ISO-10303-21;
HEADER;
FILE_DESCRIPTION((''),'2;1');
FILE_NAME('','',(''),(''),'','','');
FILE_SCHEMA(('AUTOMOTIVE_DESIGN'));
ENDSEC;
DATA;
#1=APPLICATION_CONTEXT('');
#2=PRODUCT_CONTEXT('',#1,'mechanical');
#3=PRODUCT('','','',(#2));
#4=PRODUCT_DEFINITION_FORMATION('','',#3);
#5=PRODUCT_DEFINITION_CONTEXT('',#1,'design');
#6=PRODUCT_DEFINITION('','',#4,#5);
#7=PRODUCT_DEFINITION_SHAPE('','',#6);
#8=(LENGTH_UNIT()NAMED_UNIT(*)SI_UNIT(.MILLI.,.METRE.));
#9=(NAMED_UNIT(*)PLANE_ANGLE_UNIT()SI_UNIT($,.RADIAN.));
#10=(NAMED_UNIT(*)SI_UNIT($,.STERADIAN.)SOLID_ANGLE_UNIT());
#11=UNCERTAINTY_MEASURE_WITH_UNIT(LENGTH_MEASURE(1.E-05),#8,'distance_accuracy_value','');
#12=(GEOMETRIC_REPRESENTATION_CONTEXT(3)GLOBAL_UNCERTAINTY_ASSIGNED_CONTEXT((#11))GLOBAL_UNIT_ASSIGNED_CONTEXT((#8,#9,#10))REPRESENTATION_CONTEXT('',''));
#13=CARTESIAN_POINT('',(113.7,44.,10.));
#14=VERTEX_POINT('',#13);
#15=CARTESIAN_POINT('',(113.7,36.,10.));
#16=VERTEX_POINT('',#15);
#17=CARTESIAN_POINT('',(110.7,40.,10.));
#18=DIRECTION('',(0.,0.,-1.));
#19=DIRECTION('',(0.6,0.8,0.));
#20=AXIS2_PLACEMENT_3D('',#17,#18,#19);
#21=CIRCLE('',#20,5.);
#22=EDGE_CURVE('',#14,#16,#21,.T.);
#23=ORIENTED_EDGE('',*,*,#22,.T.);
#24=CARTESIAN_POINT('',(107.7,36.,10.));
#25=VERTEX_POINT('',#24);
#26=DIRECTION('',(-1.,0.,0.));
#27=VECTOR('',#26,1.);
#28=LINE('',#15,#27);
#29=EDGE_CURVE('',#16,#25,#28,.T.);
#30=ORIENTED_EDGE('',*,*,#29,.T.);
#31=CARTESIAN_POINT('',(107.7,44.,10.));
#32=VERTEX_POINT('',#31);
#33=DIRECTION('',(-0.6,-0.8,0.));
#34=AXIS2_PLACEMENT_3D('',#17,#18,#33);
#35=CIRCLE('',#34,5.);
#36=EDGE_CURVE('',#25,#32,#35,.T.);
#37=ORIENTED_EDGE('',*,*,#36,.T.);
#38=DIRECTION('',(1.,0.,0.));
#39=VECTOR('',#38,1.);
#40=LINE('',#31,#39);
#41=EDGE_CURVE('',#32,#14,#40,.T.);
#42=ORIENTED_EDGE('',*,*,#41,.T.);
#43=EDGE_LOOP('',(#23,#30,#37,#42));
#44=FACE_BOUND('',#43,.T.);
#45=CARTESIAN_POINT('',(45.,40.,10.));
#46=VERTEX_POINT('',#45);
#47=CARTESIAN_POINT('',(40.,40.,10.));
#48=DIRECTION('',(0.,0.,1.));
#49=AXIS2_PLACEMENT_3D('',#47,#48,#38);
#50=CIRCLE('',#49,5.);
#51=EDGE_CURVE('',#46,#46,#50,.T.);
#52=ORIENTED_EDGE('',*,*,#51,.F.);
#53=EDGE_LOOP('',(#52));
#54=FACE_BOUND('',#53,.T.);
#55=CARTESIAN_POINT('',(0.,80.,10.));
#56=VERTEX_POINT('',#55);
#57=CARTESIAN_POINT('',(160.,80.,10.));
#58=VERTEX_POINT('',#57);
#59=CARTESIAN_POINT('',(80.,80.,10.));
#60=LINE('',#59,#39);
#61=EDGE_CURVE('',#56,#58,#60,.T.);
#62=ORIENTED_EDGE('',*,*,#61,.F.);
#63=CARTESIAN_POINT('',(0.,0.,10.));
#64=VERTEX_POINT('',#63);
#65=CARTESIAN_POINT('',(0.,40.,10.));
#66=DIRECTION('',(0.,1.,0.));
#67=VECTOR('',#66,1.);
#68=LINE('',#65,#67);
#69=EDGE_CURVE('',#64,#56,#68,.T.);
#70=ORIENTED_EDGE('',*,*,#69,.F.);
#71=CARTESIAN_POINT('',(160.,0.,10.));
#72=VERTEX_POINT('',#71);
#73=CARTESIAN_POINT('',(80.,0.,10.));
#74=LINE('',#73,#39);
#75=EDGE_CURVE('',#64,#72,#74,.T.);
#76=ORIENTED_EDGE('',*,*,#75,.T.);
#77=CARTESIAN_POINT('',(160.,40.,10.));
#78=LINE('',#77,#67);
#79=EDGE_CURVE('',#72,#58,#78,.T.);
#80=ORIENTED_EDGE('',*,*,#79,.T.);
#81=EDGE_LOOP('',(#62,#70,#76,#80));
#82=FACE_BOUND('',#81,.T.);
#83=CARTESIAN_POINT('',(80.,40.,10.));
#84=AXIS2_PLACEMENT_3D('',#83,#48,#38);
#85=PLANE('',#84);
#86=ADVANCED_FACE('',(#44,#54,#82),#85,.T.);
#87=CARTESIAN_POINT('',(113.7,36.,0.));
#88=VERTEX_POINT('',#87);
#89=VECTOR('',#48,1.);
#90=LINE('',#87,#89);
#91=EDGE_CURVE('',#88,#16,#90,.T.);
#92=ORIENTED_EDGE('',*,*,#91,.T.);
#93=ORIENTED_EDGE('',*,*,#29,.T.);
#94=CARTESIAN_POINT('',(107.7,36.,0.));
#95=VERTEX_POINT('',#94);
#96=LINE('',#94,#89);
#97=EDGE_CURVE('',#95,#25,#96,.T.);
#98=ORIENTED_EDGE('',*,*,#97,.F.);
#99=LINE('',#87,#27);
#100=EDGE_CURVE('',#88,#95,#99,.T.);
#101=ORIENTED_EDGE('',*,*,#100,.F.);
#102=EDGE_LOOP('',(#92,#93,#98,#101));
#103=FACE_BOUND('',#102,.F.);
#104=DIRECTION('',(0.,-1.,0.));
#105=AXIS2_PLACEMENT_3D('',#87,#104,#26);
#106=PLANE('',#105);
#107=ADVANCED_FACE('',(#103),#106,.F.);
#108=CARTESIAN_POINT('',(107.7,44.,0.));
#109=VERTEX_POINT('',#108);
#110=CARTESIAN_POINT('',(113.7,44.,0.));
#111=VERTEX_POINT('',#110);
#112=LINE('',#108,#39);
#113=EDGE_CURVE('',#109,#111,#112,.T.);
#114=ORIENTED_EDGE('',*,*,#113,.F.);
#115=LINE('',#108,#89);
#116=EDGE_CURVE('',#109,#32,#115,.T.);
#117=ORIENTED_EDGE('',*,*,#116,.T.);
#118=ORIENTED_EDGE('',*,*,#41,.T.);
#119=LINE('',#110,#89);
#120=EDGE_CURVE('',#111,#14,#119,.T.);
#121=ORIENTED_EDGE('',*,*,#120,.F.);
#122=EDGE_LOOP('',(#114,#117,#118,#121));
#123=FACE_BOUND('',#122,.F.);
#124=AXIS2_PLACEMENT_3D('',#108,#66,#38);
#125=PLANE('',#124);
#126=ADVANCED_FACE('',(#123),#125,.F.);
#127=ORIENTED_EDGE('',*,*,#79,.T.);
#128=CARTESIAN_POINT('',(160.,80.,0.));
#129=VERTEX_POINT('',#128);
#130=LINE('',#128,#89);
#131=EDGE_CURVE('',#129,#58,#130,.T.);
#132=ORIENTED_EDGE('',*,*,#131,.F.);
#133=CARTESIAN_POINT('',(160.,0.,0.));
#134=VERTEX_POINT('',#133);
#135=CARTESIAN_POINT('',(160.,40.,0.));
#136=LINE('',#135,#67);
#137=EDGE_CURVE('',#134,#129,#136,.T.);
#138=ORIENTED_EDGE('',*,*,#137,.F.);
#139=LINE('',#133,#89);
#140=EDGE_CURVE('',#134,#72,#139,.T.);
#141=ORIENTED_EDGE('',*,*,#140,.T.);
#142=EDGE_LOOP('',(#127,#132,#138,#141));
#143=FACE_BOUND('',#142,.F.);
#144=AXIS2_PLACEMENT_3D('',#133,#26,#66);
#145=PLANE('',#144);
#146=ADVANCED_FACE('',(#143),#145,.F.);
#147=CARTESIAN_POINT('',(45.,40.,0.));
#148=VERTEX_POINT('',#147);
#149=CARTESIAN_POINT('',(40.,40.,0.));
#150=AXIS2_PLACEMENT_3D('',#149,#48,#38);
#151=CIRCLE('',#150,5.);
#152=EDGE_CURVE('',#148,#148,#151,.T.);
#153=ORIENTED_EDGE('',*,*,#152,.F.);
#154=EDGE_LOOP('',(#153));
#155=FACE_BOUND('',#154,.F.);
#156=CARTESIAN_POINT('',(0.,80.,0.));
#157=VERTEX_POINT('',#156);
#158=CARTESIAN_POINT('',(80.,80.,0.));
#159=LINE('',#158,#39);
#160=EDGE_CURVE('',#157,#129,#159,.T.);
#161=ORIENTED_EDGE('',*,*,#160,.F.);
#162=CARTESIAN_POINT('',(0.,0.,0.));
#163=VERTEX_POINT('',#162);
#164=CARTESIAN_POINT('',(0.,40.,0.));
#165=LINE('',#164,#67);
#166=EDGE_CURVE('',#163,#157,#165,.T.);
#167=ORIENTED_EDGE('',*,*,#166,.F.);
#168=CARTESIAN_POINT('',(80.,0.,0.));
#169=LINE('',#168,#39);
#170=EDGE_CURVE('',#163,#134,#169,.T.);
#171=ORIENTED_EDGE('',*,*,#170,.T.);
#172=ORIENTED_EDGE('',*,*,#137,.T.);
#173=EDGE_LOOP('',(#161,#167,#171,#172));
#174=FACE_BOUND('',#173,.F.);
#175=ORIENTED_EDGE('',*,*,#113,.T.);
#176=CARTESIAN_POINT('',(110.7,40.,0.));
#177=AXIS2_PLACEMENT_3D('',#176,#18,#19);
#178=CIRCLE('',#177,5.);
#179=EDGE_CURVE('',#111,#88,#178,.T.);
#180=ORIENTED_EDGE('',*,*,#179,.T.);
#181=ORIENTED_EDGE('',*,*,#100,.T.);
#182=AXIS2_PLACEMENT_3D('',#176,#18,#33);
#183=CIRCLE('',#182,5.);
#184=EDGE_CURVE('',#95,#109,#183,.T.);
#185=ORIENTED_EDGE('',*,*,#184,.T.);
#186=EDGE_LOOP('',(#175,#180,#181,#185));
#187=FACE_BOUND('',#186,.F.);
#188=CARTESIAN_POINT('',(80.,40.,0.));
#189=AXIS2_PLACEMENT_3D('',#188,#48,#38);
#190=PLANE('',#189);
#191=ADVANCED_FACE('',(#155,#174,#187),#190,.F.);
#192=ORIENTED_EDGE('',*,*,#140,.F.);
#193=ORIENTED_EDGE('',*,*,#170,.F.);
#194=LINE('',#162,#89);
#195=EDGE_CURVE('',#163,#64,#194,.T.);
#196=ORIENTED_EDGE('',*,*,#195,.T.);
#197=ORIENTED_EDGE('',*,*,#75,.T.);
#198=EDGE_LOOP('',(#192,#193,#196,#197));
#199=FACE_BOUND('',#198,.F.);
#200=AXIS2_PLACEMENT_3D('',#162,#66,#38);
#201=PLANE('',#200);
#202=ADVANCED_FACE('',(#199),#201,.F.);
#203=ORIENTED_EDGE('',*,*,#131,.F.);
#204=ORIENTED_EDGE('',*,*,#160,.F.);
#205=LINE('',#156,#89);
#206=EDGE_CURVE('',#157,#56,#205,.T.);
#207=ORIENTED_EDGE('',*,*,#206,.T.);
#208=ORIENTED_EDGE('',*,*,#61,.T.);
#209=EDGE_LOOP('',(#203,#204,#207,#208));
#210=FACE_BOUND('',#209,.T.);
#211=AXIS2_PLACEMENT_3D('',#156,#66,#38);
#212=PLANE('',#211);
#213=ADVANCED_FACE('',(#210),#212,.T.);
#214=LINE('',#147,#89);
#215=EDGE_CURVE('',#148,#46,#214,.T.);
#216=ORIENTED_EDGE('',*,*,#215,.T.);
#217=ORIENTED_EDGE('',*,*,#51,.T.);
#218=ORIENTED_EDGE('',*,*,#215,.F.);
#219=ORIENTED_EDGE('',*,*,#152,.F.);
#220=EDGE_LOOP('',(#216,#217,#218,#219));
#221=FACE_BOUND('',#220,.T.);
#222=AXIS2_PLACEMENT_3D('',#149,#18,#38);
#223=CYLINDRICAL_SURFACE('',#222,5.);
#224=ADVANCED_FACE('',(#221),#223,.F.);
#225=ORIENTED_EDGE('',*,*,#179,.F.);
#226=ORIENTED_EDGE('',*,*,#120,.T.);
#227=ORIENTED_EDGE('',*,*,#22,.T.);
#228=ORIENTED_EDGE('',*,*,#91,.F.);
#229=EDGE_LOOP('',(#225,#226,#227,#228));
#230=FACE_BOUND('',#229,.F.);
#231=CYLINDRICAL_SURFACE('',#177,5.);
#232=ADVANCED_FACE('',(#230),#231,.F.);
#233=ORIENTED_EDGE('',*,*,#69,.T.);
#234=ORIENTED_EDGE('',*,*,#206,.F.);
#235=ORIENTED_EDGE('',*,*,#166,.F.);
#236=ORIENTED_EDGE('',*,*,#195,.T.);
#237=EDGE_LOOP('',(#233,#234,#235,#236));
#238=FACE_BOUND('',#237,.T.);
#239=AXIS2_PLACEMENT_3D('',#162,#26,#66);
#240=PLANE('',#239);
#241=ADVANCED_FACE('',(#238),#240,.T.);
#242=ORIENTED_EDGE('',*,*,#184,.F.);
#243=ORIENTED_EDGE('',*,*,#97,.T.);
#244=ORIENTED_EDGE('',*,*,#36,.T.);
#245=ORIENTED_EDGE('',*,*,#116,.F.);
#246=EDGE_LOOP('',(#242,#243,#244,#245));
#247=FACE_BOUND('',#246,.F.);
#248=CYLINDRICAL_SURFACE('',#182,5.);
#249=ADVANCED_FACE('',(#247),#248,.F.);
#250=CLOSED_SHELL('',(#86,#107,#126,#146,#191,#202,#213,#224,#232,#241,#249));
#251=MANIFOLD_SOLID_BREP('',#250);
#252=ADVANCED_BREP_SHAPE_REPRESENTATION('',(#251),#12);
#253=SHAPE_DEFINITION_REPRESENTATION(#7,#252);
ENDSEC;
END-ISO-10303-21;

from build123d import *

# Parameters (mm, degrees)
F0_W     = 160
F0_H     = 80
F0_R     = 5
F1_DEPTH = 10


with BuildPart() as f1:
    # F0 (on Top) → F1 (new body)
    with BuildSketch(Plane.XY):
        with Locations((80, 40)):
            Rectangle(F0_W, F0_H)
        with Locations((40, 40)):
            Circle(F0_R, mode=Mode.SUBTRACT)
        with BuildLine():
            ThreePointArc((113.7, 44), (115.7, 40), (113.7, 36))
            Line((113.7, 36), (107.7, 36))
            ThreePointArc((107.7, 36), (105.7, 40), (107.7, 44))
            Line((107.7, 44), (113.7, 44))
        make_face(mode=Mode.SUBTRACT)
    extrude(amount=F1_DEPTH)


solid = f1.part
